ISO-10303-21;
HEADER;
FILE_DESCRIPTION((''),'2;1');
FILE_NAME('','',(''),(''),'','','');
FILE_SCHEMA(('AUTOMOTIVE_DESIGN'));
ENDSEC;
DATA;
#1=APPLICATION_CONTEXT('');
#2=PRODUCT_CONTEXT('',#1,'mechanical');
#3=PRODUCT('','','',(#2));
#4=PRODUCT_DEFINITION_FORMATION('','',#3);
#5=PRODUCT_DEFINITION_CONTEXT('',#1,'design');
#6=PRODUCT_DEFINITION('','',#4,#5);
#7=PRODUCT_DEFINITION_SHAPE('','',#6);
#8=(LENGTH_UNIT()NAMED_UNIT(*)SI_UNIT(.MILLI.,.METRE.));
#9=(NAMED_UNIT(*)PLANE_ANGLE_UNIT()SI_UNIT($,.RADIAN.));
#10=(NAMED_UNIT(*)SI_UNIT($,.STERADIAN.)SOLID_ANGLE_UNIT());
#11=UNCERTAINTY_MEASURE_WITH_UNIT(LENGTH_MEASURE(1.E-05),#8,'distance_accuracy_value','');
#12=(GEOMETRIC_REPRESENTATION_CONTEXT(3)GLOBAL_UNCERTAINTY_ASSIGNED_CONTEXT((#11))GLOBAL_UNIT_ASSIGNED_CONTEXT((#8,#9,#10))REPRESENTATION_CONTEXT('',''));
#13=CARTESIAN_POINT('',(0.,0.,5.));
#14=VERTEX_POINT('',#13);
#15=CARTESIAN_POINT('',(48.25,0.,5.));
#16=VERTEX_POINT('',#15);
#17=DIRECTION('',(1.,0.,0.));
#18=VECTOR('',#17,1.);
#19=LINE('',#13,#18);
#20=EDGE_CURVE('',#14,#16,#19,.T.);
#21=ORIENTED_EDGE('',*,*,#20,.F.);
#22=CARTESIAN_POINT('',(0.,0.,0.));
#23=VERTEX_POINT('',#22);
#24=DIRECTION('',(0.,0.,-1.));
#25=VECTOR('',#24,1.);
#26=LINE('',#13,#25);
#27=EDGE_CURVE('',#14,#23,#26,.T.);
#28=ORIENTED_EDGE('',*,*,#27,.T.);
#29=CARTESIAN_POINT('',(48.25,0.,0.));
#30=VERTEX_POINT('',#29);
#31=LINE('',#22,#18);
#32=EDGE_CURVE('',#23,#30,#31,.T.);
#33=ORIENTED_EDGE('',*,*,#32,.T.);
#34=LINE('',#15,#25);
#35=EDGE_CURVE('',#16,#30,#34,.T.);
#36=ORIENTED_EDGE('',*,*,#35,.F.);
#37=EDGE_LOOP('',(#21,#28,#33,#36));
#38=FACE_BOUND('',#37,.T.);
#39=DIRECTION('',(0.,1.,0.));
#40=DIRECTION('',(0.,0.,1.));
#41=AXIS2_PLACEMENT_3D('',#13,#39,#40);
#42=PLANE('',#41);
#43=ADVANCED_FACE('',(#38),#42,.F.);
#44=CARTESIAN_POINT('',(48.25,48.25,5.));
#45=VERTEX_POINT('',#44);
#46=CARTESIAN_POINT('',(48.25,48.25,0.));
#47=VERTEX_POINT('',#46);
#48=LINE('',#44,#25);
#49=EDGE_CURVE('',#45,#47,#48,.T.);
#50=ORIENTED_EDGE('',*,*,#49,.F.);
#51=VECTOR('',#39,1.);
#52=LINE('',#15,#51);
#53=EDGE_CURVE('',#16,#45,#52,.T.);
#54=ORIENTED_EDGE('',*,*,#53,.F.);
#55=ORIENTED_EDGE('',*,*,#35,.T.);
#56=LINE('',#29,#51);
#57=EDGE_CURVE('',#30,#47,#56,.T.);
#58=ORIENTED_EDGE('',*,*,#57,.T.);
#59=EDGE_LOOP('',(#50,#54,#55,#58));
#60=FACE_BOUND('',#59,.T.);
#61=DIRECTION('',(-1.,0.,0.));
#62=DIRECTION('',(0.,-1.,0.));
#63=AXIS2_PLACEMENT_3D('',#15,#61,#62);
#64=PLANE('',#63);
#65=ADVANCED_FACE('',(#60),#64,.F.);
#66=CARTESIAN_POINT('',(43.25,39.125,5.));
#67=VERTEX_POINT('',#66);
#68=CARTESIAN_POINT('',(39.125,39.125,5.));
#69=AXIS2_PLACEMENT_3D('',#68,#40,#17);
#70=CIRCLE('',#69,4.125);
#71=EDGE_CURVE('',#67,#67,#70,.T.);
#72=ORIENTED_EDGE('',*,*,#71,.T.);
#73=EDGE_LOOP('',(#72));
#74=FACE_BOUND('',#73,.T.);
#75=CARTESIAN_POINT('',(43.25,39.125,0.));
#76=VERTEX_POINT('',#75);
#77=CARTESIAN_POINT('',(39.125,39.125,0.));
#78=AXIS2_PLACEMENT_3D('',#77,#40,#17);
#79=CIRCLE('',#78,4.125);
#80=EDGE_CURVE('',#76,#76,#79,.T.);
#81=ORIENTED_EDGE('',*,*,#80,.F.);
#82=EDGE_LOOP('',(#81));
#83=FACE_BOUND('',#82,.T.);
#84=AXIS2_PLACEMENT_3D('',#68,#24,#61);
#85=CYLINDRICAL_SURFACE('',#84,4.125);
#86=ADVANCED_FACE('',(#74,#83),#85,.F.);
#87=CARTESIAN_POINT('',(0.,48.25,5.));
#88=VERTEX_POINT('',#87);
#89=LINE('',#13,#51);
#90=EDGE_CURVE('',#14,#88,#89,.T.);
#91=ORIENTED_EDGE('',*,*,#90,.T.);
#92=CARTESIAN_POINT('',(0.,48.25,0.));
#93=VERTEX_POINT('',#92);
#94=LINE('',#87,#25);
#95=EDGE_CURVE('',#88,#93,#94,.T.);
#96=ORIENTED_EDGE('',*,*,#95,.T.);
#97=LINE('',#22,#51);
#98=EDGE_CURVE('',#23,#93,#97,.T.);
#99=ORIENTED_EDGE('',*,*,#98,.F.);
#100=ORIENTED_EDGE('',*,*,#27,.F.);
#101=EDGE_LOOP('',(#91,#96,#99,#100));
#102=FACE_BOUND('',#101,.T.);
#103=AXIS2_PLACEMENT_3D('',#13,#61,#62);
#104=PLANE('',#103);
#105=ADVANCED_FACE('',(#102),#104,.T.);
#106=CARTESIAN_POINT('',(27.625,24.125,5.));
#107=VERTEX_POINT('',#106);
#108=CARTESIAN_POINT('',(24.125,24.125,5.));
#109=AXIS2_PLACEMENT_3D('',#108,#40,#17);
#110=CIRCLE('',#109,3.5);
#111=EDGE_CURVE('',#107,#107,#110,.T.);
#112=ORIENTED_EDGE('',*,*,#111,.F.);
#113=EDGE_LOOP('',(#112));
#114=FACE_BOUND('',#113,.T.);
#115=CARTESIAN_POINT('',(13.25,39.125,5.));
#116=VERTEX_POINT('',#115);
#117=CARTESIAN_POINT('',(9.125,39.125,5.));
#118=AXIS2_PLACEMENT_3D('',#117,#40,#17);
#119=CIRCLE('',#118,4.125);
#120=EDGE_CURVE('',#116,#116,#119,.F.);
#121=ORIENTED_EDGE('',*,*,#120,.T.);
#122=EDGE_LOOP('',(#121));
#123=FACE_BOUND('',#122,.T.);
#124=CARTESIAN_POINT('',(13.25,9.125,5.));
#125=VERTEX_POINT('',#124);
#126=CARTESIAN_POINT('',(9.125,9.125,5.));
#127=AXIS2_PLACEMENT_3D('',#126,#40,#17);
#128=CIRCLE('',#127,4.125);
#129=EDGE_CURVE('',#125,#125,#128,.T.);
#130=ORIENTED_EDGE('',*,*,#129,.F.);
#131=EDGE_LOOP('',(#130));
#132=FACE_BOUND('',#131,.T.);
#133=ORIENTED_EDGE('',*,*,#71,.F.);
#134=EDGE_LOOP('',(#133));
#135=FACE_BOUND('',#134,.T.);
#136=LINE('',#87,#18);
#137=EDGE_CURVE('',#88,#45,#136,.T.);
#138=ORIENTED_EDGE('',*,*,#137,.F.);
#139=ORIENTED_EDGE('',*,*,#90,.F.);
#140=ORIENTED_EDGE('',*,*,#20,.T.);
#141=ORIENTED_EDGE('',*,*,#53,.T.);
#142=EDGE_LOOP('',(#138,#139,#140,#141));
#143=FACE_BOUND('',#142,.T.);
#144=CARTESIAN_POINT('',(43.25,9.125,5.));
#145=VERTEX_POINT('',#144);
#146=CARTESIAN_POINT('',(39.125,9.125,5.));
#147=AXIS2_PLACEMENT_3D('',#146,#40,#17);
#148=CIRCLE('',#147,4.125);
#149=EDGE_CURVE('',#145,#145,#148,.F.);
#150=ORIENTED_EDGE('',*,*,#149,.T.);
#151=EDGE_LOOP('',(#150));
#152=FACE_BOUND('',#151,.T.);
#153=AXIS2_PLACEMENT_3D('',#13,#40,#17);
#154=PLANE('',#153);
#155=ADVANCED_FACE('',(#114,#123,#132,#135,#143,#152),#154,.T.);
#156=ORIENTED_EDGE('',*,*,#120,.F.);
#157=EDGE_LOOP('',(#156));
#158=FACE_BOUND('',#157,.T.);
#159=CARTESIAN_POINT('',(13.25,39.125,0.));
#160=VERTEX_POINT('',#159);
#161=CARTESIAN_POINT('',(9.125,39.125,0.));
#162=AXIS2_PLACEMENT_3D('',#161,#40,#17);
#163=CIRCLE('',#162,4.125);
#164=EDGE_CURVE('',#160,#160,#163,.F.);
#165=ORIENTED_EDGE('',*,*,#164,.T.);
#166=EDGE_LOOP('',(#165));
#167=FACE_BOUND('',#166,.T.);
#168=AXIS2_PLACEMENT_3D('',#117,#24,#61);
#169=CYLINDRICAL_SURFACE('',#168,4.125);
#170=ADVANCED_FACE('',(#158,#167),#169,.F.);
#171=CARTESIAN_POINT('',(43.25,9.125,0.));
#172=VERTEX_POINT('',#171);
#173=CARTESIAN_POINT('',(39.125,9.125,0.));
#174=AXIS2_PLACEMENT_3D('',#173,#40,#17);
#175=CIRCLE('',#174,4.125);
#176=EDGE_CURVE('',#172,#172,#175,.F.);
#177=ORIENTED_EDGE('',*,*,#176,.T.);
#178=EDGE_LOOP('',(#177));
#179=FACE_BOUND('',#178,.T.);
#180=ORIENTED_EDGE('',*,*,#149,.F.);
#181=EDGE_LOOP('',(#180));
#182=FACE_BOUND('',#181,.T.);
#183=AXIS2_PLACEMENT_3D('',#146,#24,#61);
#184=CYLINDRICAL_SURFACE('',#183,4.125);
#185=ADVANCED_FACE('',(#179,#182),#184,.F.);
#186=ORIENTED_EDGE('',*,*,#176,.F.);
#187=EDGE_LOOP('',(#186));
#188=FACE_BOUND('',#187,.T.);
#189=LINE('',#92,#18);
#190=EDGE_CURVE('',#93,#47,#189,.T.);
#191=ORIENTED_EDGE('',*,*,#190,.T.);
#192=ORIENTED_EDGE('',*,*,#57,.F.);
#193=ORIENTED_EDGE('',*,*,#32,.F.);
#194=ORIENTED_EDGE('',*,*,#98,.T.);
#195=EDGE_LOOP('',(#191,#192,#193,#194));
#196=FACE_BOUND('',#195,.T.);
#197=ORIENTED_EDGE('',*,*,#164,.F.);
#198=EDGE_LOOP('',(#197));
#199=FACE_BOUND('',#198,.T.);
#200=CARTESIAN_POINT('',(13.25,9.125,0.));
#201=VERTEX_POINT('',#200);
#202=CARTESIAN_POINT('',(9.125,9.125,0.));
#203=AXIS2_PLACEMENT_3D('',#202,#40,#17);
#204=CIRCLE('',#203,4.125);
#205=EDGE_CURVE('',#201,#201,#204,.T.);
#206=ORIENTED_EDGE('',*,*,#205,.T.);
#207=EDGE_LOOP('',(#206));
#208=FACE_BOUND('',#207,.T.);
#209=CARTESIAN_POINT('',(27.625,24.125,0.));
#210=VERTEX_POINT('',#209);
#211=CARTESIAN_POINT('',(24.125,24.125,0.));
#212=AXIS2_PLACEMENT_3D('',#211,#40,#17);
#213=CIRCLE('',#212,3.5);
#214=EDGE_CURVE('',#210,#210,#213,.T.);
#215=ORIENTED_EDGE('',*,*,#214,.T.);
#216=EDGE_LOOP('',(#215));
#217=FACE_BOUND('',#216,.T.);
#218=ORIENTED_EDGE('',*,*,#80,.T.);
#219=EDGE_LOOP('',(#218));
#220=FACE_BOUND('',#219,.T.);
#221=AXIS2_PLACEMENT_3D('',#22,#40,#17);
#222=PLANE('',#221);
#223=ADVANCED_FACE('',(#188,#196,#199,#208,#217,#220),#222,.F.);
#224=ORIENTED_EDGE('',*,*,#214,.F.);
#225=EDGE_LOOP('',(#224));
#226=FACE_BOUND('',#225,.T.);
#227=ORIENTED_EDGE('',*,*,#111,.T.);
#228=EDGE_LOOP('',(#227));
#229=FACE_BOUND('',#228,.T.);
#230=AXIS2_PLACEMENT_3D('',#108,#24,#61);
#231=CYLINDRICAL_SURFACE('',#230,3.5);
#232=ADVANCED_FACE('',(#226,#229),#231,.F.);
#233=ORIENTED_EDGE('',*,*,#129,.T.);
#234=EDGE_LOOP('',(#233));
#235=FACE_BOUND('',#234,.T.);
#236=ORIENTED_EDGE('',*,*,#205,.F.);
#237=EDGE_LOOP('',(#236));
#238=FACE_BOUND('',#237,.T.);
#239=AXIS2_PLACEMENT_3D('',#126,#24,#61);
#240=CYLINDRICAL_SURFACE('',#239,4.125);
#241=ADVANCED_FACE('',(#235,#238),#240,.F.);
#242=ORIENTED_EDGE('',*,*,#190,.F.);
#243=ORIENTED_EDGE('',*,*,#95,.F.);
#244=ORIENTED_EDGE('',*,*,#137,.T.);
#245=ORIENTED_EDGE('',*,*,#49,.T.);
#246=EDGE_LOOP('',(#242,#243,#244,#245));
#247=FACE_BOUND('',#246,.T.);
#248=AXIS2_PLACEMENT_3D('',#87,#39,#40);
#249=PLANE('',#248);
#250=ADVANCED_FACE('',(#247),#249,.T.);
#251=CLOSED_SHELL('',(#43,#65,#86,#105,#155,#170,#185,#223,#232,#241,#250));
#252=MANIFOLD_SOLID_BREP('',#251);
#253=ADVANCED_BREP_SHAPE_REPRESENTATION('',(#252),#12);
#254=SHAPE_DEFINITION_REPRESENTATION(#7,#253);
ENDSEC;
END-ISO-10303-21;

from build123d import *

# Parameters (mm, degrees)
SKETCH1_W           = 48.25
SKETCH1_H           = 48.25
SKETCH1_R           = 3.5
SKETCH1_R_2         = 4.125
BOSS_EXTRUDE1_DEPTH = 5


with BuildPart() as part:
    # Sketch1 → Boss-Extrude1 (new body)
    # profile 1 of 5: a face of its own
    with BuildSketch(Plane.XY):
        with Locations((24.125, 24.125)):
            Rectangle(SKETCH1_W, SKETCH1_H)
        with Locations((24.125, 24.125)):
            Circle(SKETCH1_R, mode=Mode.SUBTRACT)
        Polygon((34.895909278, 1.8), (30.666818556, 9.125), (34.895909278, 16.45), (43.354090722, 16.45), (47.583181444, 9.125), (43.354090722, 1.8), align=None, mode=Mode.SUBTRACT)
        Polygon((13.354090722, 1.8), (17.583181444, 9.125), (13.354090722, 16.45), (4.895909278, 16.45), (0.666818556, 9.125), (4.895909278, 1.8), align=None, mode=Mode.SUBTRACT)
        Polygon((34.895909278, 31.8), (43.354090722, 31.8), (47.583181444, 39.125), (43.354090722, 46.45), (34.895909278, 46.45), (30.666818556, 39.125), align=None, mode=Mode.SUBTRACT)
        Polygon((17.583181444, 39.125), (13.354090722, 31.8), (4.895909278, 31.8), (0.666818556, 39.125), (4.895909278, 46.45), (13.354090722, 46.45), align=None, mode=Mode.SUBTRACT)
    # profile 2 of 5: a face of its own
    with BuildSketch(Plane.XY):
        Polygon((30.666818556, 39.125), (34.895909278, 31.8), (43.354090722, 31.8), (47.583181444, 39.125), (43.354090722, 46.45), (34.895909278, 46.45), align=None)
        with Locations((39.125, 39.125)):
            Circle(SKETCH1_R_2, mode=Mode.SUBTRACT)
    # profile 3 of 5: a face of its own
    with BuildSketch(Plane.XY):
        Polygon((30.666818556, 9.125), (34.895909278, 16.45), (43.354090722, 16.45), (47.583181444, 9.125), (43.354090722, 1.8), (34.895909278, 1.8), align=None)
        with Locations((39.125, 9.125)):
            Circle(SKETCH1_R_2, mode=Mode.SUBTRACT)
    # profile 4 of 5: a face of its own
    with BuildSketch(Plane.XY):
        Polygon((4.895909278, 1.8), (13.354090722, 1.8), (17.583181444, 9.125), (13.354090722, 16.45), (4.895909278, 16.45), (0.666818556, 9.125), align=None)
        with Locations((9.125, 9.125)):
            Circle(SKETCH1_R_2, mode=Mode.SUBTRACT)
    # profile 5 of 5: a face of its own
    with BuildSketch(Plane.XY):
        Polygon((13.354090722, 31.8), (4.895909278, 31.8), (0.666818556, 39.125), (4.895909278, 46.45), (13.354090722, 46.45), (17.583181444, 39.125), align=None)
        with Locations((9.125, 39.125)):
            Circle(SKETCH1_R_2, mode=Mode.SUBTRACT)
    extrude(amount=BOSS_EXTRUDE1_DEPTH)


solid = part.part
